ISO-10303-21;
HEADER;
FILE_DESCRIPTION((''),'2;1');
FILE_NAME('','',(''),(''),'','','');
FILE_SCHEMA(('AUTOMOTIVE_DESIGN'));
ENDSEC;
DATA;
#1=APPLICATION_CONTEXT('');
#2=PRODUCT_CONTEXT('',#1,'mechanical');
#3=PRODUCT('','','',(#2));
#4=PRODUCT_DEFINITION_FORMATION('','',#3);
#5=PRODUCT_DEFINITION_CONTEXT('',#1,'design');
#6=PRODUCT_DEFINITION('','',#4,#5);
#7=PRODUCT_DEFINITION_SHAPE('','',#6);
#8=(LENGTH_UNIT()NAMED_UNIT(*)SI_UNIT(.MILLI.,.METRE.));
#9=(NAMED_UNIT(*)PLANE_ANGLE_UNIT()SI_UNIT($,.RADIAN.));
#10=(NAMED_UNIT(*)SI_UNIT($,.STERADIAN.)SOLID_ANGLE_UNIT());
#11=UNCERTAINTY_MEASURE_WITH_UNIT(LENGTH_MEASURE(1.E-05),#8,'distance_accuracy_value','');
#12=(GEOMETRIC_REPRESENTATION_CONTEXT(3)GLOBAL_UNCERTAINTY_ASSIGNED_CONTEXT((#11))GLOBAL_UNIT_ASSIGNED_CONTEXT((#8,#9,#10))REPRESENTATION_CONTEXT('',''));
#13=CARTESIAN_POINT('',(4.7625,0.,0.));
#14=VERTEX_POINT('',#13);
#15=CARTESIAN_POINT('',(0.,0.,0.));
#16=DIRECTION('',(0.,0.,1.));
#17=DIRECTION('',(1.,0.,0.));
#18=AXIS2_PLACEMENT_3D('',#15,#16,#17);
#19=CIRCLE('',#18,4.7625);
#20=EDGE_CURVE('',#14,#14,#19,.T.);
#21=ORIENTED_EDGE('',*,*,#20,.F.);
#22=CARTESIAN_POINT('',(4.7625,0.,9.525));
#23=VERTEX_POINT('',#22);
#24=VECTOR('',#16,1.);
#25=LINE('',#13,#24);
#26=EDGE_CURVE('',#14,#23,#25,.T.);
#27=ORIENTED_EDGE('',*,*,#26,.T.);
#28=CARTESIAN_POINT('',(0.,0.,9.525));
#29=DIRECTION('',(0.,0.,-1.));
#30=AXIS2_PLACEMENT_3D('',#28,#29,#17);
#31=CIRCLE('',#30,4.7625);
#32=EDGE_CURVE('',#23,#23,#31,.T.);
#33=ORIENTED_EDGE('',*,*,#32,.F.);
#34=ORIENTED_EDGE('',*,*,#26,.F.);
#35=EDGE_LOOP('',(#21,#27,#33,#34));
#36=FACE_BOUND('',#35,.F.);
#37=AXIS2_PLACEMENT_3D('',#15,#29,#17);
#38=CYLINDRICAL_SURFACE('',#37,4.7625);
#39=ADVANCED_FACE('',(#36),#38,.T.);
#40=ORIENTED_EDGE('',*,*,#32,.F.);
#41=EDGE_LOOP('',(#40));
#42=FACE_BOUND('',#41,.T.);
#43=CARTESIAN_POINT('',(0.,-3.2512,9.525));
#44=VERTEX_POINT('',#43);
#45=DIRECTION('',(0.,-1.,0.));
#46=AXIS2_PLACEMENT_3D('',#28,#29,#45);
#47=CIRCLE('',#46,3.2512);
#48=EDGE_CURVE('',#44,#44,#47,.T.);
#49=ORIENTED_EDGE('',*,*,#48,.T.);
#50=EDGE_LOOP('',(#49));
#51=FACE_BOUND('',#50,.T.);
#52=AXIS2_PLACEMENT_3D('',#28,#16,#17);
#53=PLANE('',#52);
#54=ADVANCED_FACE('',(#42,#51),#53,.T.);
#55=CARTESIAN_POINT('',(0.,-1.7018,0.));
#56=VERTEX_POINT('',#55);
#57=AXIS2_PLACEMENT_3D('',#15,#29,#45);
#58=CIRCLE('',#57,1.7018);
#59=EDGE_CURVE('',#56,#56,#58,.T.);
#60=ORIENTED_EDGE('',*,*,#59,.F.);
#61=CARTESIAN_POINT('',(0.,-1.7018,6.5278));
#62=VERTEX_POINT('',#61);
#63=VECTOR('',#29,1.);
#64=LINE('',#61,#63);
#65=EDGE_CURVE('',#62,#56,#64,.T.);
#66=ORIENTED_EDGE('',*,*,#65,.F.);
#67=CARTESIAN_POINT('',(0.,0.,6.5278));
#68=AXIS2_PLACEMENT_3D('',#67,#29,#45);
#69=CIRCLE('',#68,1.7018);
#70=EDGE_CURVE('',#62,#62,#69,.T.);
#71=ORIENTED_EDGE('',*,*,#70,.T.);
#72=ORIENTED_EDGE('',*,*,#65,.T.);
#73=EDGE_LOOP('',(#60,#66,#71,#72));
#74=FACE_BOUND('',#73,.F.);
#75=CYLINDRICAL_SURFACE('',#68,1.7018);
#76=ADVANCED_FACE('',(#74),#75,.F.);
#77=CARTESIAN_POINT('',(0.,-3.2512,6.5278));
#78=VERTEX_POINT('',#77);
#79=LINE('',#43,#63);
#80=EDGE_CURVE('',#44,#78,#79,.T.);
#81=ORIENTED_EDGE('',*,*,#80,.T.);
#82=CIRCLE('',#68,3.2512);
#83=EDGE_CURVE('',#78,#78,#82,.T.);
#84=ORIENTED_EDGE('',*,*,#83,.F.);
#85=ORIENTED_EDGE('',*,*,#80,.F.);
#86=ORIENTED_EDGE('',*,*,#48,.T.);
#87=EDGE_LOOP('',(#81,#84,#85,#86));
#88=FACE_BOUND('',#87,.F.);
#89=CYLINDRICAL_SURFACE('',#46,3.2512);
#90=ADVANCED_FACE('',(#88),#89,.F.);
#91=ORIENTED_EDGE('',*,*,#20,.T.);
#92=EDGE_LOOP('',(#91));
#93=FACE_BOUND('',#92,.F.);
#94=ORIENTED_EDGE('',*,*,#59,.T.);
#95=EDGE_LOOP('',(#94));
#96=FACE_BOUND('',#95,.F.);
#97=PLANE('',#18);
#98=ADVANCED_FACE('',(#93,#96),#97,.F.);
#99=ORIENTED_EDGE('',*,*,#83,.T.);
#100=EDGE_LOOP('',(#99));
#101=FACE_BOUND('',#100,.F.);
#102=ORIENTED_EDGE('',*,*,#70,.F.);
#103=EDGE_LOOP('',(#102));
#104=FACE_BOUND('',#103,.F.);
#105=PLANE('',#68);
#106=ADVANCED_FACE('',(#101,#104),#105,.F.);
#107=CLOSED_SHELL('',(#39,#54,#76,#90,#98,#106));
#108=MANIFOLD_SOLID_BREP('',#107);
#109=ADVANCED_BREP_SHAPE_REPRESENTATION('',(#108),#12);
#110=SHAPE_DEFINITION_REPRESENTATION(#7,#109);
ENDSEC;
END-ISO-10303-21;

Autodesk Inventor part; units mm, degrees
ref_plane "YZ Plane" through (0, 0, 0) normal (1, 0, 0) x (0, 1, 0)
ref_plane "XZ Plane" through (0, 0, 0) normal (0, 1, 0) x (-1, 0, 0)
ref_plane "XY Plane" through (0, 0, 0) normal (0, 0, 1) x (1, 0, 0)
sketch "Sketch1" plane through (0, 0, 0) normal (0, 0, 1) x (1, 0, 0)
  circle A0 centre (0, 0) radius 4.7625
  line L0 (-3.3676, -3.3676) -> (3.3676, -3.3676)
  line L1 (3.3676, -3.3676) -> (3.3676, 3.3676)
  line L2 (3.3676, 3.3676) -> (-3.3676, 3.3676)
  line L3 (-3.3676, 3.3676) -> (-3.3676, -3.3676)
  line L4 (-3.3676, -3.3676) -> (3.3676, 3.3676) construction
  line L5 (3.3676, -3.3676) -> (-3.3676, 3.3676) construction
  dimension "d3" = 6.7352
extrude "Extrusion1" add sketch "Sketch1" along normal blind 9.525
hole "Hole1" at (0, 0, 9.525) direction (0, 0, -1) diameter 3.4036 end through all counterbore diameter 6.5024 counterbore depth 2.9972 clearance for "Socket Head Cap Screw" size "M3" standard "Ansi Metric M Profile"
equation "\"d3\" = l_key"
equation "\"d1\" = 2 * t"
equation "\"l_key\" = 6.735192"
equation "\"t\" = 4.7625"
properties part number "axle" material "ABS Plastic"
